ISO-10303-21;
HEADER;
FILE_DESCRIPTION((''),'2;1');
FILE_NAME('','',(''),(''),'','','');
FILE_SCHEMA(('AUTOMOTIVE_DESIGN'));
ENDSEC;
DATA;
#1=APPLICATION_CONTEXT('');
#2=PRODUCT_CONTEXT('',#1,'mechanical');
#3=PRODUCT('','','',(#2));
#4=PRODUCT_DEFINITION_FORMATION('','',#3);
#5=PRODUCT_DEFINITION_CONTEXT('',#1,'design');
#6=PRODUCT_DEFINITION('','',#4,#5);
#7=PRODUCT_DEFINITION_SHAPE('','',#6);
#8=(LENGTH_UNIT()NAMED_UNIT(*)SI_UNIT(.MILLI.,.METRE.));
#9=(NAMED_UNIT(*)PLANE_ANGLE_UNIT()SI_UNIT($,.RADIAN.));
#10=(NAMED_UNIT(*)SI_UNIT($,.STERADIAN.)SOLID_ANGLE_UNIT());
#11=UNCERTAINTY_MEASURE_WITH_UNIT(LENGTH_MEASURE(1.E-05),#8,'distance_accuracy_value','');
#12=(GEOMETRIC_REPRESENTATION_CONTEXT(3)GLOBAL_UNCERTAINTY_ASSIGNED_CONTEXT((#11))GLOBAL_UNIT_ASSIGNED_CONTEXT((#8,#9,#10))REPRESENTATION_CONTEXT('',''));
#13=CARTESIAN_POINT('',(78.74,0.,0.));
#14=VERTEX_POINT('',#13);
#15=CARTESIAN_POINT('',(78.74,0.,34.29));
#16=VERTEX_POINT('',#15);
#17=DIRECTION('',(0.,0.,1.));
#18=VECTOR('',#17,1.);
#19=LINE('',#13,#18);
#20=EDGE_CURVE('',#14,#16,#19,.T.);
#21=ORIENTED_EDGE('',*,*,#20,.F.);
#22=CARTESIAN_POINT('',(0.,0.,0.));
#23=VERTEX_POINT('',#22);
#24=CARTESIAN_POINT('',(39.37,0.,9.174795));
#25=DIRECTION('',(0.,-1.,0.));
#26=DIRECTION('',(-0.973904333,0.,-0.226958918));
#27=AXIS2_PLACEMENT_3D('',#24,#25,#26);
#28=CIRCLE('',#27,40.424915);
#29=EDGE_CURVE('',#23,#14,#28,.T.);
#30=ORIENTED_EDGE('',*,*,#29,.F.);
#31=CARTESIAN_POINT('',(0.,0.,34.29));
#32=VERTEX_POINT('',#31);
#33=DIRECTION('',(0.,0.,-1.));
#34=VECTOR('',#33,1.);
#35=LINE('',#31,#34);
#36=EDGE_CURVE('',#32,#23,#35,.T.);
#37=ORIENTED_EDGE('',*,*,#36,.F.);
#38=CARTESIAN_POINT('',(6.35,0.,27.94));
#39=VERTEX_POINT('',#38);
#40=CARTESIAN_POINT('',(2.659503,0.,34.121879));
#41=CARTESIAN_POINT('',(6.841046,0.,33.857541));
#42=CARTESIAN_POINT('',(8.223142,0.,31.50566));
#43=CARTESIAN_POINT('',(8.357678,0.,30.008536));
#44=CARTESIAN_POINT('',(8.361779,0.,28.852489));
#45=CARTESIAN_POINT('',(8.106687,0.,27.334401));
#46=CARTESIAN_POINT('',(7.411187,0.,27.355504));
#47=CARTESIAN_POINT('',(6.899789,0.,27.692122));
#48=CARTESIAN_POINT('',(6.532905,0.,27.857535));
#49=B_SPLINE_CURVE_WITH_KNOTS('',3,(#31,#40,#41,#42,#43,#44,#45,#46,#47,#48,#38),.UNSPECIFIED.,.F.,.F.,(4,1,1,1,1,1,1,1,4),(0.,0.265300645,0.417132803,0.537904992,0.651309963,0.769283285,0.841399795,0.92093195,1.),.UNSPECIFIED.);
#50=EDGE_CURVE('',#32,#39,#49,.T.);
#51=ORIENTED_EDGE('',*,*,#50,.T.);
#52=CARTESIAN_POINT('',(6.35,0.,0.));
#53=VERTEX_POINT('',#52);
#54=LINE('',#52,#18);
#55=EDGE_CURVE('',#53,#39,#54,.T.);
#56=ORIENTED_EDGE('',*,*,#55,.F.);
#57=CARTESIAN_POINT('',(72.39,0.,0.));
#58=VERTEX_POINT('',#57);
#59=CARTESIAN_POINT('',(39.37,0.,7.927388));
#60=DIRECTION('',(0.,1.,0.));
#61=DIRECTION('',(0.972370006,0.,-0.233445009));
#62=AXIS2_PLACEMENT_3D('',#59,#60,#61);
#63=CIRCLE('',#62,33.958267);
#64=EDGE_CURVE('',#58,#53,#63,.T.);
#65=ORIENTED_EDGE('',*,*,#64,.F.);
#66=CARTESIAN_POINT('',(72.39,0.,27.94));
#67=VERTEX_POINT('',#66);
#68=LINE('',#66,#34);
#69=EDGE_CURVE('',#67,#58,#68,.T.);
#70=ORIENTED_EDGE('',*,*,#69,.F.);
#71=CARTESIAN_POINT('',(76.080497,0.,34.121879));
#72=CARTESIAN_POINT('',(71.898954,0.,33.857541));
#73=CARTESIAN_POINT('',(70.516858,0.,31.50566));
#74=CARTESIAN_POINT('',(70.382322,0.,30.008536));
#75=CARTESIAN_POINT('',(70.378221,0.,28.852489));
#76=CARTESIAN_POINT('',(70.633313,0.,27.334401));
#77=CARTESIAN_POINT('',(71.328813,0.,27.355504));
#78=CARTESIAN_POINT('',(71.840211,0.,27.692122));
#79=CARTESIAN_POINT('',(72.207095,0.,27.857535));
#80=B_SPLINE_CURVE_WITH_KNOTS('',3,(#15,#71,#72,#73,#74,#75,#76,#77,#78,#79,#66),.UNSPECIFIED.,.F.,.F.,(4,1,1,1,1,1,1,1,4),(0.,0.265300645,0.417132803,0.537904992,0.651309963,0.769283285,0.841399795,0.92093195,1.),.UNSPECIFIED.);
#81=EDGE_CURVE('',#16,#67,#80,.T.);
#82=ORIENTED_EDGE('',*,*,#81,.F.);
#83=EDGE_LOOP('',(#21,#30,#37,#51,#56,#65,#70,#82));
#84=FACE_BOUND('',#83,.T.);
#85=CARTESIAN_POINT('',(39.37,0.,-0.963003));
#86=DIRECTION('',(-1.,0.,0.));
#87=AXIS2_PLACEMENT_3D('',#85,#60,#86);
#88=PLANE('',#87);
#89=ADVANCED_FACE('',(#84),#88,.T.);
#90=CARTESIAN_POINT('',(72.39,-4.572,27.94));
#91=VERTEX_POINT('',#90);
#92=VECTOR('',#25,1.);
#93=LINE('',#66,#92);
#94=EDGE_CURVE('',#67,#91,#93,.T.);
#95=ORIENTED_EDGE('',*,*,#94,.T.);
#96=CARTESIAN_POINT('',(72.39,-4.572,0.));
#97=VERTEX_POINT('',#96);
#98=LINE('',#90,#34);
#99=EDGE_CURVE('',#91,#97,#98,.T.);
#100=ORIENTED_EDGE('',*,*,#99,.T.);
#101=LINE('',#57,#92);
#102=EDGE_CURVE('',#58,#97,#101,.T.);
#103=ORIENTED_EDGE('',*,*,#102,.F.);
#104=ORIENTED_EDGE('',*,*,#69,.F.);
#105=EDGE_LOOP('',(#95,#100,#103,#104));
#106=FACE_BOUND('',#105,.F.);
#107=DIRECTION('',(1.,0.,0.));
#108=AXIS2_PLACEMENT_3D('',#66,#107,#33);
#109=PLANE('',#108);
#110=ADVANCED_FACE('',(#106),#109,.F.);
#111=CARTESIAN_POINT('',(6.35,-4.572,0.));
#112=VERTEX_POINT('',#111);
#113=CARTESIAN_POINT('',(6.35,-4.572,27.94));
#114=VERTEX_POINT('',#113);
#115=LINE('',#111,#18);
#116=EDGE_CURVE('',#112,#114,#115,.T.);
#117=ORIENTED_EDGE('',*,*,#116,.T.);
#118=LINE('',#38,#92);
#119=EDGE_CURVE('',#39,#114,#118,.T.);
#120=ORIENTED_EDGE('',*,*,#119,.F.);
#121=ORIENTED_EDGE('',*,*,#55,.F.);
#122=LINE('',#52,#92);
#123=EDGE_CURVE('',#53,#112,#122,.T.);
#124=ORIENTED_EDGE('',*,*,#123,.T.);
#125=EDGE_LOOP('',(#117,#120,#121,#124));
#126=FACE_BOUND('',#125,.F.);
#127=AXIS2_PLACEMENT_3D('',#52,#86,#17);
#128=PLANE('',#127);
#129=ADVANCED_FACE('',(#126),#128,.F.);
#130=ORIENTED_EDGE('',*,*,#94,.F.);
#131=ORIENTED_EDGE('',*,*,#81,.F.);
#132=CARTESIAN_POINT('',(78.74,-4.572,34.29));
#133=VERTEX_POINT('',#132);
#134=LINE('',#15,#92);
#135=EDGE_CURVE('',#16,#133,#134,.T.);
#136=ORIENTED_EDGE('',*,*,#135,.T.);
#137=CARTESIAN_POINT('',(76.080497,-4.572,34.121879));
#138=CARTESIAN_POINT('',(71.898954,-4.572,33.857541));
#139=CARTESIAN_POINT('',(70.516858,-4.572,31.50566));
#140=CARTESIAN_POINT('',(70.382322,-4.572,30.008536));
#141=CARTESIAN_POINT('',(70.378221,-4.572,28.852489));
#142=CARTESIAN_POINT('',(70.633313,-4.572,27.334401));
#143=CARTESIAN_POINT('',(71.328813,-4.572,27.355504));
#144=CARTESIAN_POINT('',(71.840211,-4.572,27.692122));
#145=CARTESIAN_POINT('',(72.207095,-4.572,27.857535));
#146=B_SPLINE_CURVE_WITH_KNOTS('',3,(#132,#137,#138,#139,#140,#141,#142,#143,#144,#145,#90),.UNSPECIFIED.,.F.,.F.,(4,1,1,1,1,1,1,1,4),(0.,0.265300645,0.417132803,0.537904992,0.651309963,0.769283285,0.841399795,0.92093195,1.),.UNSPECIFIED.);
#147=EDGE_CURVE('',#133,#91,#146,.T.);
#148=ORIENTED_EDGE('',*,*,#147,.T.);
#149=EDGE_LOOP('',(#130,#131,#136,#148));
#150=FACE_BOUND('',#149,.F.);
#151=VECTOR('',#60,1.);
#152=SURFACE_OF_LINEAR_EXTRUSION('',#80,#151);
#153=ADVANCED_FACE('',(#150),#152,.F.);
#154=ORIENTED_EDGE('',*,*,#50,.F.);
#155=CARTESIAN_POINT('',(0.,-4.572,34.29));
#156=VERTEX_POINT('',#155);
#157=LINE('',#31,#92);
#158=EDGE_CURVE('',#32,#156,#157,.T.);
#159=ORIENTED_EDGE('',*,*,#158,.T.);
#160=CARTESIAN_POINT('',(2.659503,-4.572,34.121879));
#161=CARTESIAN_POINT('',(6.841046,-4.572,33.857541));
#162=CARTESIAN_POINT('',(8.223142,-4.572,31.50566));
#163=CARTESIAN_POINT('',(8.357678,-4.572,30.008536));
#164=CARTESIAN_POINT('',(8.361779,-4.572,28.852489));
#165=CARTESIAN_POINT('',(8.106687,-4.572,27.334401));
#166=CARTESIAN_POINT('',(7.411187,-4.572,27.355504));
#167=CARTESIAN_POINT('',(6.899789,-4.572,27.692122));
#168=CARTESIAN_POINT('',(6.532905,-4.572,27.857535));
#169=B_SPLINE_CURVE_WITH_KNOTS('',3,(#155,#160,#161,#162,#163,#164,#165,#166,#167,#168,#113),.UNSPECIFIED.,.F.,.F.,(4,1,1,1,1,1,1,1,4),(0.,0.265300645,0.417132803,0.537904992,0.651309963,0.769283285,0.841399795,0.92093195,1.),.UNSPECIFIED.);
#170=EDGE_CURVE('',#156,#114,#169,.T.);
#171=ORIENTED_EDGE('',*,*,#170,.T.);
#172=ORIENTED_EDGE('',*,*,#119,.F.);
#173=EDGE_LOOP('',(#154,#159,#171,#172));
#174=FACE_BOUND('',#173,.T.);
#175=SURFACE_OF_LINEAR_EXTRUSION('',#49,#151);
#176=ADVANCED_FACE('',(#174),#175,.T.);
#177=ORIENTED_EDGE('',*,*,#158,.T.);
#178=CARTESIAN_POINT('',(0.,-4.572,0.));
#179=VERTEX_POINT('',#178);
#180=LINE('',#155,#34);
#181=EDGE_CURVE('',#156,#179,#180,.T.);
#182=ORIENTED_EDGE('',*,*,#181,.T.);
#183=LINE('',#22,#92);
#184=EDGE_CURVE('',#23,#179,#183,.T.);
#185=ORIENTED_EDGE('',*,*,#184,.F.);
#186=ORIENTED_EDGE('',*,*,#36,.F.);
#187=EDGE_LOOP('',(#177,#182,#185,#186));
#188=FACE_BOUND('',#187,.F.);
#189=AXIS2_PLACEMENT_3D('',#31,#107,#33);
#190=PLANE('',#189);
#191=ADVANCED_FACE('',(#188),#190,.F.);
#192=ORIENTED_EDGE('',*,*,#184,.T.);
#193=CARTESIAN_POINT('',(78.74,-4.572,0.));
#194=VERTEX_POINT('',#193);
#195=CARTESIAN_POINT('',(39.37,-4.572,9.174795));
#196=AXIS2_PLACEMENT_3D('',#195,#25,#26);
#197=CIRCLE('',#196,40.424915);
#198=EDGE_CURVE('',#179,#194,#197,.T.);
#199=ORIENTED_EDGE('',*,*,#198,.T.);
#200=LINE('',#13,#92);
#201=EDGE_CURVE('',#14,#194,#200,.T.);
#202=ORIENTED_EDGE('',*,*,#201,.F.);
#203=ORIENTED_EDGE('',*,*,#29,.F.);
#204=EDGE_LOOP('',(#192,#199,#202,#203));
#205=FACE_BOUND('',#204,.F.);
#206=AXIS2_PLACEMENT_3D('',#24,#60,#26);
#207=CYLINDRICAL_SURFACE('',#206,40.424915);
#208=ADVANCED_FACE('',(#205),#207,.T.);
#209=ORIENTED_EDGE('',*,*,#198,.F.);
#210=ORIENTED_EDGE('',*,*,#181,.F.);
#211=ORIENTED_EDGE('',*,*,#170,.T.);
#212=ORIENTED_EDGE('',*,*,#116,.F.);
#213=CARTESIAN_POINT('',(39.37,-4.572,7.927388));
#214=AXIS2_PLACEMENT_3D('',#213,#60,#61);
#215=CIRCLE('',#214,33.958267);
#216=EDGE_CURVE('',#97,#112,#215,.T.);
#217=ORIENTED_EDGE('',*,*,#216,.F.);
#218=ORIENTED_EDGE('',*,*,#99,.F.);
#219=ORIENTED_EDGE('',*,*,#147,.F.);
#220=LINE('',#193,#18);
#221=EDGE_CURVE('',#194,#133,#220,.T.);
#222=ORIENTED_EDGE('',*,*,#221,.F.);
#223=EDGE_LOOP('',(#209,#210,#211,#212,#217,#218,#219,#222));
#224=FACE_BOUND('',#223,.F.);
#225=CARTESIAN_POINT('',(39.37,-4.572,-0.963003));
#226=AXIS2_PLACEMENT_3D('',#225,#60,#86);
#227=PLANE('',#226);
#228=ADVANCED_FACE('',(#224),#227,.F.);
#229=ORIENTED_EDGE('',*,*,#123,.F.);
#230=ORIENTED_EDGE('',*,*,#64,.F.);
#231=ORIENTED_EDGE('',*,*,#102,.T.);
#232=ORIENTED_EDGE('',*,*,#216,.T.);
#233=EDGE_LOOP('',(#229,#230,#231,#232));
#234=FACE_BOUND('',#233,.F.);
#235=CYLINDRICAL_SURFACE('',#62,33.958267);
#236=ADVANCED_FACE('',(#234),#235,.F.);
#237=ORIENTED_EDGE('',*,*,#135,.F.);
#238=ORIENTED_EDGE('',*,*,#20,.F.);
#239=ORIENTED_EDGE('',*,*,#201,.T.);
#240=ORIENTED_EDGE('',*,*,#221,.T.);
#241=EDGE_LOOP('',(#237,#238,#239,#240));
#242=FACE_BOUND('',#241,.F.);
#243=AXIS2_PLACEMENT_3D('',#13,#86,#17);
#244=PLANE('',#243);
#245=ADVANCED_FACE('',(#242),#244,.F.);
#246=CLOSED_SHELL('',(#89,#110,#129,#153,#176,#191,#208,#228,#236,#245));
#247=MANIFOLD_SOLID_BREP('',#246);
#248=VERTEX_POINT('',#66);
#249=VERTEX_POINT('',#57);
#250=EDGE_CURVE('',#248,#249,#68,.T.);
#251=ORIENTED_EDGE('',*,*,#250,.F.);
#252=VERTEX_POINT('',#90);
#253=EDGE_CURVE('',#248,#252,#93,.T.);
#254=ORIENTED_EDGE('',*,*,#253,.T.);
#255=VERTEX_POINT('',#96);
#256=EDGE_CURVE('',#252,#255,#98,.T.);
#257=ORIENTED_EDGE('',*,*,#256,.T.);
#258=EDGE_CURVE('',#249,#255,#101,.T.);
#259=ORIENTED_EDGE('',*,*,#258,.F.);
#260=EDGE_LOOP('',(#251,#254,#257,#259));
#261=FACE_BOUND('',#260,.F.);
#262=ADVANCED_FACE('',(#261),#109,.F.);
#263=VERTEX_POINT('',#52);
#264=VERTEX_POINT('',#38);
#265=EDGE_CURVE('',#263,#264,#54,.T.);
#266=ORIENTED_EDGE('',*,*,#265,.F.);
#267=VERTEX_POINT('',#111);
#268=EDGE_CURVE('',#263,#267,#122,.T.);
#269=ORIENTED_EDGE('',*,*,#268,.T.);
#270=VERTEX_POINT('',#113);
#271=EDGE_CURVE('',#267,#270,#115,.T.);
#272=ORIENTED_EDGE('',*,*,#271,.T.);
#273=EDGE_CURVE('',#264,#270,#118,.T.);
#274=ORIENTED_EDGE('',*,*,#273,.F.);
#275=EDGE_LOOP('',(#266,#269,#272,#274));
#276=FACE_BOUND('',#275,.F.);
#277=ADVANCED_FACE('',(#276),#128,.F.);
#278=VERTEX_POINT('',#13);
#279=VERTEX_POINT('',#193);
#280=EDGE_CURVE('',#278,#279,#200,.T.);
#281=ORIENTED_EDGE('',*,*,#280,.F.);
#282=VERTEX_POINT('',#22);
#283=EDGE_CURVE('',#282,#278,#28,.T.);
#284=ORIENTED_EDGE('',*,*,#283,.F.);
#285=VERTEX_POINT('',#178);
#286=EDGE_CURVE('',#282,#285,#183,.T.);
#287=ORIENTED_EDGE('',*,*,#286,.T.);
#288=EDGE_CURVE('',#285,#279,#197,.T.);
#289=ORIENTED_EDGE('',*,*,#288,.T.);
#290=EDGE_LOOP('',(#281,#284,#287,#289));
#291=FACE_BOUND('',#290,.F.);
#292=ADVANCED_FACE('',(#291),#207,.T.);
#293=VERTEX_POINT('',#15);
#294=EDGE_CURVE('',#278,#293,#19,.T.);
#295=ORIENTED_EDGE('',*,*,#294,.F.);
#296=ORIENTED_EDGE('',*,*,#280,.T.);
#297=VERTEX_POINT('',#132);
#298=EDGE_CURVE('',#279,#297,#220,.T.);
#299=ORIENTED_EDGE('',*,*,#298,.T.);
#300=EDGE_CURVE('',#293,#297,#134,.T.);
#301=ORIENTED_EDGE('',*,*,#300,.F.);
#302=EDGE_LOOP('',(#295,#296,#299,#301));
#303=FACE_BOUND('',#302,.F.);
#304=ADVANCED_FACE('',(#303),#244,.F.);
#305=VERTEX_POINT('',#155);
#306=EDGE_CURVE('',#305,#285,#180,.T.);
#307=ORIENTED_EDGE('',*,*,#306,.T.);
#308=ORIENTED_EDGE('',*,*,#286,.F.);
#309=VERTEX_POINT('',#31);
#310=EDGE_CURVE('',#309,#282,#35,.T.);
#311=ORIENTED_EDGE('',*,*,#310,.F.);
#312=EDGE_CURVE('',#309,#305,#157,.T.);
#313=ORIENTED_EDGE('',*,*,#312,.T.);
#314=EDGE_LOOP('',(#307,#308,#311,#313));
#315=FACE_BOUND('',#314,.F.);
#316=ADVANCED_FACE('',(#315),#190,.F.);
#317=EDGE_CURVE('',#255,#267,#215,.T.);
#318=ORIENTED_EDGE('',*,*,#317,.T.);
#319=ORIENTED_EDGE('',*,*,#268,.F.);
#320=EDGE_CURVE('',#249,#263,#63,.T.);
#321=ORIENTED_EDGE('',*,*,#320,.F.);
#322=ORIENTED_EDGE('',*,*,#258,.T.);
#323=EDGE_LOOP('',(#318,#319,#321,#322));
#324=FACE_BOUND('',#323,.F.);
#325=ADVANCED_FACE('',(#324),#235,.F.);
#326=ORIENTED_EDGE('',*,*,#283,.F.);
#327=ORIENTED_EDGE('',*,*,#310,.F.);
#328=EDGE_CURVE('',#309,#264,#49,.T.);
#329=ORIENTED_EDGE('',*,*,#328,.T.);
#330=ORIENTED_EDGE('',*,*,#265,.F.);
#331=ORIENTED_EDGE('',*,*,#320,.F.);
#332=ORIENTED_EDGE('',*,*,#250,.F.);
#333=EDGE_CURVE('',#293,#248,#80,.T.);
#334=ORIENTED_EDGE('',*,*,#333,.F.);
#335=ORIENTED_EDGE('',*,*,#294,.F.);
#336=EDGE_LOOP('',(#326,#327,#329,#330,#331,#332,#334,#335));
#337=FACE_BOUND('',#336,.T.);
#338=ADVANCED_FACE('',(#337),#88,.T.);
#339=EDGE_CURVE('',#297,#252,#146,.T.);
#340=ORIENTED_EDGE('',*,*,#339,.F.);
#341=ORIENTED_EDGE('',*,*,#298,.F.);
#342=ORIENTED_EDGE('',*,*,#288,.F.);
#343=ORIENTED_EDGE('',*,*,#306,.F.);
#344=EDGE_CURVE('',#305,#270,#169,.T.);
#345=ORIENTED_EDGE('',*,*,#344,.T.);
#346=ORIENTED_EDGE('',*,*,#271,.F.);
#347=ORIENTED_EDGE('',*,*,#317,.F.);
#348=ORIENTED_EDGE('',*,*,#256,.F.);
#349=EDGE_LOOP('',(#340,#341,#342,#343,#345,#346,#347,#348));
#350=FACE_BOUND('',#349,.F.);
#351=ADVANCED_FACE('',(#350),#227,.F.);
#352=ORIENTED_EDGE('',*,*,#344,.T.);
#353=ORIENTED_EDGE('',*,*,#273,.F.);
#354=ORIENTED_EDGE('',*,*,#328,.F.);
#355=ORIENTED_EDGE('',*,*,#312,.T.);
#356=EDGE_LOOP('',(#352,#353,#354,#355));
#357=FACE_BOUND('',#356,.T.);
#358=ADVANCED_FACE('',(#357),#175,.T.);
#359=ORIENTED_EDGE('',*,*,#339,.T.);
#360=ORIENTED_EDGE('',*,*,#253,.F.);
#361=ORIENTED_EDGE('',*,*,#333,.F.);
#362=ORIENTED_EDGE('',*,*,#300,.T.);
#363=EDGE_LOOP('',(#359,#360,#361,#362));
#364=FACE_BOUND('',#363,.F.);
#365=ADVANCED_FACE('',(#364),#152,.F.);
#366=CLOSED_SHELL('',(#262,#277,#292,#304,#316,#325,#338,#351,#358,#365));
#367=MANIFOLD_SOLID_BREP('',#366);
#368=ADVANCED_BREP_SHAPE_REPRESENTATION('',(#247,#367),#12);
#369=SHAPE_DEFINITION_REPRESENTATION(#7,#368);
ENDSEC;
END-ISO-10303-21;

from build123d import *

# Parameters (mm, degrees)
F2_DEPTH = 4.572


with BuildPart() as f2:
    # F0 (on Front) → F2 (new body)
    with BuildSketch(Plane.XZ):
        with BuildLine():
            add(Edge.make_bspline(
                [(0, 34.29), (2.6595032543, 34.1218786327), (6.8410462273, 33.8575410271), (8.2231424457, 31.5056600227), (8.3576780587, 30.0085364948), (8.3617785553, 28.8524886525), (8.106687112, 27.3344007608), (7.4111867176, 27.3555041178), (6.8997891701, 27.6921221538), (6.5329051916, 27.8575353983), (6.35, 27.94)],
                knots=[0, 0, 0, 0, 0.2653006447, 0.4171328029, 0.5379049919, 0.6513099628, 0.7692832851, 0.8413997949, 0.9209319496, 1, 1, 1, 1], degree=3))
            Line((0, 34.29), (0, 0))
            ThreePointArc((0, 0), (39.37, -31.2501201344), (78.74, 0))
            Line((78.74, 0), (78.74, 34.29))
            add(Edge.make_bspline(
                [(78.74, 34.29), (76.0804967457, 34.1218786327), (71.8989537727, 33.8575410271), (70.5168575543, 31.5056600227), (70.3823219413, 30.0085364948), (70.3782214447, 28.8524886525), (70.633312888, 27.3344007608), (71.3288132824, 27.3555041178), (71.8402108299, 27.6921221538), (72.2070948084, 27.8575353983), (72.39, 27.94)],
                knots=[0, 0, 0, 0, 0.2653006447, 0.4171328029, 0.5379049919, 0.6513099628, 0.7692832851, 0.8413997949, 0.9209319496, 1, 1, 1, 1], degree=3))
            Line((72.39, 27.94), (72.39, 0))
            ThreePointArc((72.39, 0), (39.37, -26.0308788459), (6.35, 0))
            Line((6.35, 0), (6.35, 27.94))
        make_face()
    extrude(amount=F2_DEPTH)


with BuildPart() as f2b:
    # F1 (on face) → F2, piece 2 (new body)
    with BuildSketch(Plane.XZ):
        with BuildLine():
            add(Edge.make_bspline(
                [(0, 34.29), (2.6595032543, 34.1218786327), (6.8410462273, 33.8575410271), (8.2231424457, 31.5056600227), (8.3576780587, 30.0085364948), (8.3617785553, 28.8524886525), (8.106687112, 27.3344007608), (7.4111867176, 27.3555041178), (6.8997891701, 27.6921221538), (6.5329051916, 27.8575353983), (6.35, 27.94)],
                knots=[0, 0, 0, 0, 0.2653006447, 0.4171328029, 0.5379049919, 0.6513099628, 0.7692832851, 0.8413997949, 0.9209319496, 1, 1, 1, 1], degree=3))
            Line((0, 34.29), (0, 0))
            ThreePointArc((0, 0), (39.37, -31.2501201344), (78.74, 0))
            Line((78.74, 0), (78.74, 34.29))
            add(Edge.make_bspline(
                [(78.74, 34.29), (76.0804967457, 34.1218786327), (71.8989537727, 33.8575410271), (70.5168575543, 31.5056600227), (70.3823219413, 30.0085364948), (70.3782214447, 28.8524886525), (70.633312888, 27.3344007608), (71.3288132824, 27.3555041178), (71.8402108299, 27.6921221538), (72.2070948084, 27.8575353983), (72.39, 27.94)],
                knots=[0, 0, 0, 0, 0.2653006447, 0.4171328029, 0.5379049919, 0.6513099628, 0.7692832851, 0.8413997949, 0.9209319496, 1, 1, 1, 1], degree=3))
            Line((72.39, 27.94), (72.39, 0))
            ThreePointArc((72.39, 0), (39.37, -26.0308788459), (6.35, 0))
            Line((6.35, 0), (6.35, 27.94))
        make_face()
    extrude(amount=F2_DEPTH)


solid = Compound([f2.part, f2b.part])
